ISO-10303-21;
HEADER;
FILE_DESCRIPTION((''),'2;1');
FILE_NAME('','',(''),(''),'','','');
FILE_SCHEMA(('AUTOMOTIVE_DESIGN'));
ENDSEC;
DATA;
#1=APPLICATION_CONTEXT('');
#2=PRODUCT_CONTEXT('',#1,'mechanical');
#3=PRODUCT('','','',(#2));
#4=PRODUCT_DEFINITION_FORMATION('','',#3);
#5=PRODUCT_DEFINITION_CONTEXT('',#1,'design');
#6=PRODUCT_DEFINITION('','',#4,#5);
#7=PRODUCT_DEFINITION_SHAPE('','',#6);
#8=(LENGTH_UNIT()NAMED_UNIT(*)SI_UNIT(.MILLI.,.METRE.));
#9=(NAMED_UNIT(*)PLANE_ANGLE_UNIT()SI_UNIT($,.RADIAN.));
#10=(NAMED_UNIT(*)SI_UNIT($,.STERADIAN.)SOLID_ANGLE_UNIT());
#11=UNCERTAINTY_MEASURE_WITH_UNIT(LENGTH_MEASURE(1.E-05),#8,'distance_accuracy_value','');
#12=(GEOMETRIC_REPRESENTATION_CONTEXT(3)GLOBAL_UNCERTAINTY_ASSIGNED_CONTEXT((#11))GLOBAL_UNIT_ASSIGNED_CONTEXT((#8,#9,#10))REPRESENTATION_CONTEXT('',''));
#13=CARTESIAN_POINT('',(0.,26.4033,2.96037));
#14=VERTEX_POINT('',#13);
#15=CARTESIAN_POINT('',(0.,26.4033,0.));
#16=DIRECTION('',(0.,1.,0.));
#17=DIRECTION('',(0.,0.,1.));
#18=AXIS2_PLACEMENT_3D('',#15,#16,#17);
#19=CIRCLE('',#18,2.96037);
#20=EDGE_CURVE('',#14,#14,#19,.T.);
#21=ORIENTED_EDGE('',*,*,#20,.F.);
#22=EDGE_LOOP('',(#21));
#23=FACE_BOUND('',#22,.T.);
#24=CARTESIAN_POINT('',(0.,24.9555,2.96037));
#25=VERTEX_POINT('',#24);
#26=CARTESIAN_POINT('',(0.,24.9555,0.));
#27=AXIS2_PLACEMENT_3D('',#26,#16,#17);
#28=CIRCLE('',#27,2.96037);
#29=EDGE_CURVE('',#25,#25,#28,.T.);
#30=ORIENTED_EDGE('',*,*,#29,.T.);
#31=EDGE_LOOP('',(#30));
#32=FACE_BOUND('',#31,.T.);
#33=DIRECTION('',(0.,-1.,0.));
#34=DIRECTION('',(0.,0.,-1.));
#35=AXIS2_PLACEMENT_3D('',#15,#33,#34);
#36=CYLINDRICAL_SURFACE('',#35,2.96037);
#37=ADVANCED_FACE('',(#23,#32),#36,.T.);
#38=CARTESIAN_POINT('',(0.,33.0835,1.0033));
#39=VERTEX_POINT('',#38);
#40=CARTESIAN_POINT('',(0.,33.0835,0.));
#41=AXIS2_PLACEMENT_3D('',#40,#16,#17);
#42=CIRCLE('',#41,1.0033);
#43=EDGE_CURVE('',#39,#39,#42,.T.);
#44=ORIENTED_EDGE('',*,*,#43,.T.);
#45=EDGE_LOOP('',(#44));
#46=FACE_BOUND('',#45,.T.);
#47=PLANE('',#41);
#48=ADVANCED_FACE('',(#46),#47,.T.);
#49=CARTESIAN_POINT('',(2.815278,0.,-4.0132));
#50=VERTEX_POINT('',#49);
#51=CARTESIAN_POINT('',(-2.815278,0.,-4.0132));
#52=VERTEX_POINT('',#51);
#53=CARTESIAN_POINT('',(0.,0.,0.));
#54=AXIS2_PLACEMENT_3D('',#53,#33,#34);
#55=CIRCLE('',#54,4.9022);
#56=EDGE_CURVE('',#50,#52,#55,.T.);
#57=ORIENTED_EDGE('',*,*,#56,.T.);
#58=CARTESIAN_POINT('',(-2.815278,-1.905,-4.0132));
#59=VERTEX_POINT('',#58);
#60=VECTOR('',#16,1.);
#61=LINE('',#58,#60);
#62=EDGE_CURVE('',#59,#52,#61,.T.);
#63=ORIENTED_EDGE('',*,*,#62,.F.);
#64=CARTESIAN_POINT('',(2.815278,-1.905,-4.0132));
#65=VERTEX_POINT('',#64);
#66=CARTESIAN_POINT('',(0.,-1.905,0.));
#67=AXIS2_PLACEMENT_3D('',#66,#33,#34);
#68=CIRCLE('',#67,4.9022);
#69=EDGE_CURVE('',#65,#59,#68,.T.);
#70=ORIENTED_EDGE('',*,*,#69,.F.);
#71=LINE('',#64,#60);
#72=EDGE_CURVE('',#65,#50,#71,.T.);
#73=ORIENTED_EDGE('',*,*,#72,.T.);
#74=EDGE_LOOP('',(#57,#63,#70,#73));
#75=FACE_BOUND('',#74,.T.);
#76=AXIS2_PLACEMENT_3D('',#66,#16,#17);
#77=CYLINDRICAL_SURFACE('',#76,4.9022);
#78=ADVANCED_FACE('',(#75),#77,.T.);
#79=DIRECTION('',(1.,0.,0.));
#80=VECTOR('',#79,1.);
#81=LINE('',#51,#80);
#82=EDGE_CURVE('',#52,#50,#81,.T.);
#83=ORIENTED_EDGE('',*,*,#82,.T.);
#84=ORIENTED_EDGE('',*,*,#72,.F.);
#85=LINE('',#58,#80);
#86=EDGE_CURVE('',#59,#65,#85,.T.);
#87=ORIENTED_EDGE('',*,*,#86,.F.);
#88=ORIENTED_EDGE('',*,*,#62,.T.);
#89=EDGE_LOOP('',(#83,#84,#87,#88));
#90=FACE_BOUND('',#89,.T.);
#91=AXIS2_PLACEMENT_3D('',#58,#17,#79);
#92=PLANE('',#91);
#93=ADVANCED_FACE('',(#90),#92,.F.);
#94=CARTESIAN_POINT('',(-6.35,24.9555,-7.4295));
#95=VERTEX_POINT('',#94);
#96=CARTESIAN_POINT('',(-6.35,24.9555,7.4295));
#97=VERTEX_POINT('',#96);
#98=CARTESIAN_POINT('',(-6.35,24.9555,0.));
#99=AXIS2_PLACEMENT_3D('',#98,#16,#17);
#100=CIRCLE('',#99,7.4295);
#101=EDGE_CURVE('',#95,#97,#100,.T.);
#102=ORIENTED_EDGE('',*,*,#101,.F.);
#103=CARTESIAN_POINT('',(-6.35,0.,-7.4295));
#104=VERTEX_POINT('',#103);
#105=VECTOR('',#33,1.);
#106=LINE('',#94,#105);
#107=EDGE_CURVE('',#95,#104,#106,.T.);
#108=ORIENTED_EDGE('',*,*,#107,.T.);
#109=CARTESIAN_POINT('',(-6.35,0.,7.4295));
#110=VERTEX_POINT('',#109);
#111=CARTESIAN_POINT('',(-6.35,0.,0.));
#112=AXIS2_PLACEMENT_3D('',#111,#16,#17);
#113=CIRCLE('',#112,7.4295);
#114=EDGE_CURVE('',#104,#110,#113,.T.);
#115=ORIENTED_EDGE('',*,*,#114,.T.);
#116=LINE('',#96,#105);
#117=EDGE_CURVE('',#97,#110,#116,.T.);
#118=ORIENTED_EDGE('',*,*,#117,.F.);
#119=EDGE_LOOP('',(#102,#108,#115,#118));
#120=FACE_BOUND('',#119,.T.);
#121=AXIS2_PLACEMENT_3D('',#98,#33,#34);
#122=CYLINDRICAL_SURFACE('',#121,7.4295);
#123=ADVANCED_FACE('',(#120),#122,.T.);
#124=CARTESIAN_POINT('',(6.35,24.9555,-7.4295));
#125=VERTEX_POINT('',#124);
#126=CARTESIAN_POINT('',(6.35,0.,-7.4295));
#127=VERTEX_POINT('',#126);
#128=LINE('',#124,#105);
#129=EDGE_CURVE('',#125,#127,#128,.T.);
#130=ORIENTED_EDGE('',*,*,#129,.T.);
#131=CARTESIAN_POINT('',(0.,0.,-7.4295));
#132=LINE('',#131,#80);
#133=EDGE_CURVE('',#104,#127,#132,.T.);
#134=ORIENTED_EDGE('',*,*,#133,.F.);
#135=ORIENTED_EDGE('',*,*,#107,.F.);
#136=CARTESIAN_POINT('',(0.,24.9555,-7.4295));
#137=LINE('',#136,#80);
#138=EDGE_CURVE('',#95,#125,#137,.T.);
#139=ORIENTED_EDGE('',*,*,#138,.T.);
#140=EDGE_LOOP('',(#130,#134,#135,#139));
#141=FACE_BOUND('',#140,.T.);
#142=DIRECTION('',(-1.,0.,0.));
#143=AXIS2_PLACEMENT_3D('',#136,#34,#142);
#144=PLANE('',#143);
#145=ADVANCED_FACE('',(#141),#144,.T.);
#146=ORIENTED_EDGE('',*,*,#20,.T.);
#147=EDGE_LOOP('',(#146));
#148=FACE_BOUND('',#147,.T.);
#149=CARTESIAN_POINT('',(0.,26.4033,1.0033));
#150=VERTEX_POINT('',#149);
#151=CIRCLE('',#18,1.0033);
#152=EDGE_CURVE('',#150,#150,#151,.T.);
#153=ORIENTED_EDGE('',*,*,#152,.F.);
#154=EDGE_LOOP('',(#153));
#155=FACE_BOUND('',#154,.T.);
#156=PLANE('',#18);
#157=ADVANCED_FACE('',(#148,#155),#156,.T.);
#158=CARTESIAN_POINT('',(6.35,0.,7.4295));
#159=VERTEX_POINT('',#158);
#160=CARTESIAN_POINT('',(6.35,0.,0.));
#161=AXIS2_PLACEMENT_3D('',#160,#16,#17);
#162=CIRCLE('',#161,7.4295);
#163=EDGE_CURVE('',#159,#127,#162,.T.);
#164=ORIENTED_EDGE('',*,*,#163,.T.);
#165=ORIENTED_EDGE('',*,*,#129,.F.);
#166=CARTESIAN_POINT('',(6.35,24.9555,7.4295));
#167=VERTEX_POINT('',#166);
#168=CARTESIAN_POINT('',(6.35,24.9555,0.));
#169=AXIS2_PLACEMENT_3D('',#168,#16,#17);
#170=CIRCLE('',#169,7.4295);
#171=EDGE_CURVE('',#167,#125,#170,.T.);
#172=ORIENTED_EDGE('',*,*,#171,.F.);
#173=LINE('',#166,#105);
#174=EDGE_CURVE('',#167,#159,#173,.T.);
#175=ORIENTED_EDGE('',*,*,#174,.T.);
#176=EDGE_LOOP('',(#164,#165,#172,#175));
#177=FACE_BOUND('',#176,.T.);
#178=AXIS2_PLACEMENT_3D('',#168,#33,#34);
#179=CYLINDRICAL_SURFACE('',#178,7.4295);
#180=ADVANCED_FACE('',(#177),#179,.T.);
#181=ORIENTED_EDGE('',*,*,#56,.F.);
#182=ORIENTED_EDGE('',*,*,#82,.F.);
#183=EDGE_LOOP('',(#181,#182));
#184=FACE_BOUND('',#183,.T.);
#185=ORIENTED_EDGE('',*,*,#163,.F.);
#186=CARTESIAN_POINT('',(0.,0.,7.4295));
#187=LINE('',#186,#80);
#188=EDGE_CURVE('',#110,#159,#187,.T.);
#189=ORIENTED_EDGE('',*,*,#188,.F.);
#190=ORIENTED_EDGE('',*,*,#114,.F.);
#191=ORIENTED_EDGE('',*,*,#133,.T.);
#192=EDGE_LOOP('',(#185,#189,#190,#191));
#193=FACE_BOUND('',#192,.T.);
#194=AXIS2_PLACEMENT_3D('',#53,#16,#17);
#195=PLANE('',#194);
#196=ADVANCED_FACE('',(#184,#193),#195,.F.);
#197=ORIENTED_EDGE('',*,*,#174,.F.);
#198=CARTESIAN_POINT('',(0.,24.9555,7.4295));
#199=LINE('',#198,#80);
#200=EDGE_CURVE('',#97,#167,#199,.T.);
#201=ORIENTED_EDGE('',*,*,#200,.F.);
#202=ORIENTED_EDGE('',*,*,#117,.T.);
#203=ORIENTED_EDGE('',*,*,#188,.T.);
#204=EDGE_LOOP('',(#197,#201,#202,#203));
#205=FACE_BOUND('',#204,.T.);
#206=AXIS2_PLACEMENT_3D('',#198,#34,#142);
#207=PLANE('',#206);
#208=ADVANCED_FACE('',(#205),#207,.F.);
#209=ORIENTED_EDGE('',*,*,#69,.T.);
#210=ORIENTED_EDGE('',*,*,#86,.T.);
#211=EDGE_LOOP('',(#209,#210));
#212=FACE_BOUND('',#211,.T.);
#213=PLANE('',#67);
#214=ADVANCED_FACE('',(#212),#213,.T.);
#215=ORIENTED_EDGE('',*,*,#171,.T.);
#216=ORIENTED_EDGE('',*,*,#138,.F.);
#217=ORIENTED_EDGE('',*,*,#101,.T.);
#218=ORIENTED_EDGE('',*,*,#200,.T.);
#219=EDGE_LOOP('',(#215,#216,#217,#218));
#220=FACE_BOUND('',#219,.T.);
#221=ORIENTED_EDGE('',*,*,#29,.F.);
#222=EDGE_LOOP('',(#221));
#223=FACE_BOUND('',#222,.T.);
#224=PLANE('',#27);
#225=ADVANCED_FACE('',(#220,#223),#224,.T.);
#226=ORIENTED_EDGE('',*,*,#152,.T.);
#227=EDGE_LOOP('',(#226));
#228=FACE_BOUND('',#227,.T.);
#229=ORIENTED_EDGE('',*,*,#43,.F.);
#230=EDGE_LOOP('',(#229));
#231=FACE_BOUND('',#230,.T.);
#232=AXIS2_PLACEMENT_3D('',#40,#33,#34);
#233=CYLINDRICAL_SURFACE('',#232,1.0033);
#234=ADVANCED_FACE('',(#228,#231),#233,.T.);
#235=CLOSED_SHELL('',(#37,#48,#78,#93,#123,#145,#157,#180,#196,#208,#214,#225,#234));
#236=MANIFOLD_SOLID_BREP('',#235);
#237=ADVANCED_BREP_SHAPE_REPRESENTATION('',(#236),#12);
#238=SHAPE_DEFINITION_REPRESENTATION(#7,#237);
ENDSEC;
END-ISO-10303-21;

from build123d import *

# Parameters (mm, degrees)
BOSS_EXTRUDE1_DEPTH = 24.9555
SKETCH2_R           = 2.96037
SKETCH2_R_2         = 1.0033
BOSS_EXTRUDE2_DEPTH = 1.4478
SKETCH2_3_R         = 1.0033
BOSS_EXTRUDE3_DEPTH = 8.128
BOSS_EXTRUDE4_DEPTH = 1.905


with BuildPart() as part:
    # Sketch1 → Boss-Extrude1 (new body)
    with BuildSketch(Plane(origin=(0, 0, 0), x_dir=(1, 0, 0), z_dir=(0, 1, 0))):
        with BuildLine():
            Line((6.35, 7.4295), (-6.35, 7.4295))
            ThreePointArc((-6.35, 7.4295), (-13.7795, 0), (-6.35, -7.4295))
            Line((-6.35, -7.4295), (6.35, -7.4295))
            ThreePointArc((6.35, -7.4295), (13.7795, 0), (6.35, 7.4295))
        make_face()
    extrude(amount=BOSS_EXTRUDE1_DEPTH)

    # Sketch2 → Boss-Extrude2 (add)
    with BuildSketch(Plane(origin=(0, 24.9555, 0), x_dir=(1, 0, 0), z_dir=(0, 1, 0))):
        Circle(SKETCH2_R)
        Circle(SKETCH2_R_2, mode=Mode.SUBTRACT)
    extrude(amount=BOSS_EXTRUDE2_DEPTH)

    # Sketch2<3> → Boss-Extrude3 (add)
    with BuildSketch(Plane(origin=(0, 24.9555, 0), x_dir=(1, 0, 0), z_dir=(0, 1, 0))):
        Circle(SKETCH2_3_R)
    extrude(amount=BOSS_EXTRUDE3_DEPTH)

    # Sketch3 → Boss-Extrude4 (add)
    with BuildSketch(Plane.XZ):
        with BuildLine():
            Line((-2.815278068, -4.0132), (2.815278068, -4.0132))
            ThreePointArc((2.815278068, -4.0132), (0, 4.9022), (-2.815278068, -4.0132))
        make_face()
    extrude(amount=BOSS_EXTRUDE4_DEPTH)


solid = part.part
